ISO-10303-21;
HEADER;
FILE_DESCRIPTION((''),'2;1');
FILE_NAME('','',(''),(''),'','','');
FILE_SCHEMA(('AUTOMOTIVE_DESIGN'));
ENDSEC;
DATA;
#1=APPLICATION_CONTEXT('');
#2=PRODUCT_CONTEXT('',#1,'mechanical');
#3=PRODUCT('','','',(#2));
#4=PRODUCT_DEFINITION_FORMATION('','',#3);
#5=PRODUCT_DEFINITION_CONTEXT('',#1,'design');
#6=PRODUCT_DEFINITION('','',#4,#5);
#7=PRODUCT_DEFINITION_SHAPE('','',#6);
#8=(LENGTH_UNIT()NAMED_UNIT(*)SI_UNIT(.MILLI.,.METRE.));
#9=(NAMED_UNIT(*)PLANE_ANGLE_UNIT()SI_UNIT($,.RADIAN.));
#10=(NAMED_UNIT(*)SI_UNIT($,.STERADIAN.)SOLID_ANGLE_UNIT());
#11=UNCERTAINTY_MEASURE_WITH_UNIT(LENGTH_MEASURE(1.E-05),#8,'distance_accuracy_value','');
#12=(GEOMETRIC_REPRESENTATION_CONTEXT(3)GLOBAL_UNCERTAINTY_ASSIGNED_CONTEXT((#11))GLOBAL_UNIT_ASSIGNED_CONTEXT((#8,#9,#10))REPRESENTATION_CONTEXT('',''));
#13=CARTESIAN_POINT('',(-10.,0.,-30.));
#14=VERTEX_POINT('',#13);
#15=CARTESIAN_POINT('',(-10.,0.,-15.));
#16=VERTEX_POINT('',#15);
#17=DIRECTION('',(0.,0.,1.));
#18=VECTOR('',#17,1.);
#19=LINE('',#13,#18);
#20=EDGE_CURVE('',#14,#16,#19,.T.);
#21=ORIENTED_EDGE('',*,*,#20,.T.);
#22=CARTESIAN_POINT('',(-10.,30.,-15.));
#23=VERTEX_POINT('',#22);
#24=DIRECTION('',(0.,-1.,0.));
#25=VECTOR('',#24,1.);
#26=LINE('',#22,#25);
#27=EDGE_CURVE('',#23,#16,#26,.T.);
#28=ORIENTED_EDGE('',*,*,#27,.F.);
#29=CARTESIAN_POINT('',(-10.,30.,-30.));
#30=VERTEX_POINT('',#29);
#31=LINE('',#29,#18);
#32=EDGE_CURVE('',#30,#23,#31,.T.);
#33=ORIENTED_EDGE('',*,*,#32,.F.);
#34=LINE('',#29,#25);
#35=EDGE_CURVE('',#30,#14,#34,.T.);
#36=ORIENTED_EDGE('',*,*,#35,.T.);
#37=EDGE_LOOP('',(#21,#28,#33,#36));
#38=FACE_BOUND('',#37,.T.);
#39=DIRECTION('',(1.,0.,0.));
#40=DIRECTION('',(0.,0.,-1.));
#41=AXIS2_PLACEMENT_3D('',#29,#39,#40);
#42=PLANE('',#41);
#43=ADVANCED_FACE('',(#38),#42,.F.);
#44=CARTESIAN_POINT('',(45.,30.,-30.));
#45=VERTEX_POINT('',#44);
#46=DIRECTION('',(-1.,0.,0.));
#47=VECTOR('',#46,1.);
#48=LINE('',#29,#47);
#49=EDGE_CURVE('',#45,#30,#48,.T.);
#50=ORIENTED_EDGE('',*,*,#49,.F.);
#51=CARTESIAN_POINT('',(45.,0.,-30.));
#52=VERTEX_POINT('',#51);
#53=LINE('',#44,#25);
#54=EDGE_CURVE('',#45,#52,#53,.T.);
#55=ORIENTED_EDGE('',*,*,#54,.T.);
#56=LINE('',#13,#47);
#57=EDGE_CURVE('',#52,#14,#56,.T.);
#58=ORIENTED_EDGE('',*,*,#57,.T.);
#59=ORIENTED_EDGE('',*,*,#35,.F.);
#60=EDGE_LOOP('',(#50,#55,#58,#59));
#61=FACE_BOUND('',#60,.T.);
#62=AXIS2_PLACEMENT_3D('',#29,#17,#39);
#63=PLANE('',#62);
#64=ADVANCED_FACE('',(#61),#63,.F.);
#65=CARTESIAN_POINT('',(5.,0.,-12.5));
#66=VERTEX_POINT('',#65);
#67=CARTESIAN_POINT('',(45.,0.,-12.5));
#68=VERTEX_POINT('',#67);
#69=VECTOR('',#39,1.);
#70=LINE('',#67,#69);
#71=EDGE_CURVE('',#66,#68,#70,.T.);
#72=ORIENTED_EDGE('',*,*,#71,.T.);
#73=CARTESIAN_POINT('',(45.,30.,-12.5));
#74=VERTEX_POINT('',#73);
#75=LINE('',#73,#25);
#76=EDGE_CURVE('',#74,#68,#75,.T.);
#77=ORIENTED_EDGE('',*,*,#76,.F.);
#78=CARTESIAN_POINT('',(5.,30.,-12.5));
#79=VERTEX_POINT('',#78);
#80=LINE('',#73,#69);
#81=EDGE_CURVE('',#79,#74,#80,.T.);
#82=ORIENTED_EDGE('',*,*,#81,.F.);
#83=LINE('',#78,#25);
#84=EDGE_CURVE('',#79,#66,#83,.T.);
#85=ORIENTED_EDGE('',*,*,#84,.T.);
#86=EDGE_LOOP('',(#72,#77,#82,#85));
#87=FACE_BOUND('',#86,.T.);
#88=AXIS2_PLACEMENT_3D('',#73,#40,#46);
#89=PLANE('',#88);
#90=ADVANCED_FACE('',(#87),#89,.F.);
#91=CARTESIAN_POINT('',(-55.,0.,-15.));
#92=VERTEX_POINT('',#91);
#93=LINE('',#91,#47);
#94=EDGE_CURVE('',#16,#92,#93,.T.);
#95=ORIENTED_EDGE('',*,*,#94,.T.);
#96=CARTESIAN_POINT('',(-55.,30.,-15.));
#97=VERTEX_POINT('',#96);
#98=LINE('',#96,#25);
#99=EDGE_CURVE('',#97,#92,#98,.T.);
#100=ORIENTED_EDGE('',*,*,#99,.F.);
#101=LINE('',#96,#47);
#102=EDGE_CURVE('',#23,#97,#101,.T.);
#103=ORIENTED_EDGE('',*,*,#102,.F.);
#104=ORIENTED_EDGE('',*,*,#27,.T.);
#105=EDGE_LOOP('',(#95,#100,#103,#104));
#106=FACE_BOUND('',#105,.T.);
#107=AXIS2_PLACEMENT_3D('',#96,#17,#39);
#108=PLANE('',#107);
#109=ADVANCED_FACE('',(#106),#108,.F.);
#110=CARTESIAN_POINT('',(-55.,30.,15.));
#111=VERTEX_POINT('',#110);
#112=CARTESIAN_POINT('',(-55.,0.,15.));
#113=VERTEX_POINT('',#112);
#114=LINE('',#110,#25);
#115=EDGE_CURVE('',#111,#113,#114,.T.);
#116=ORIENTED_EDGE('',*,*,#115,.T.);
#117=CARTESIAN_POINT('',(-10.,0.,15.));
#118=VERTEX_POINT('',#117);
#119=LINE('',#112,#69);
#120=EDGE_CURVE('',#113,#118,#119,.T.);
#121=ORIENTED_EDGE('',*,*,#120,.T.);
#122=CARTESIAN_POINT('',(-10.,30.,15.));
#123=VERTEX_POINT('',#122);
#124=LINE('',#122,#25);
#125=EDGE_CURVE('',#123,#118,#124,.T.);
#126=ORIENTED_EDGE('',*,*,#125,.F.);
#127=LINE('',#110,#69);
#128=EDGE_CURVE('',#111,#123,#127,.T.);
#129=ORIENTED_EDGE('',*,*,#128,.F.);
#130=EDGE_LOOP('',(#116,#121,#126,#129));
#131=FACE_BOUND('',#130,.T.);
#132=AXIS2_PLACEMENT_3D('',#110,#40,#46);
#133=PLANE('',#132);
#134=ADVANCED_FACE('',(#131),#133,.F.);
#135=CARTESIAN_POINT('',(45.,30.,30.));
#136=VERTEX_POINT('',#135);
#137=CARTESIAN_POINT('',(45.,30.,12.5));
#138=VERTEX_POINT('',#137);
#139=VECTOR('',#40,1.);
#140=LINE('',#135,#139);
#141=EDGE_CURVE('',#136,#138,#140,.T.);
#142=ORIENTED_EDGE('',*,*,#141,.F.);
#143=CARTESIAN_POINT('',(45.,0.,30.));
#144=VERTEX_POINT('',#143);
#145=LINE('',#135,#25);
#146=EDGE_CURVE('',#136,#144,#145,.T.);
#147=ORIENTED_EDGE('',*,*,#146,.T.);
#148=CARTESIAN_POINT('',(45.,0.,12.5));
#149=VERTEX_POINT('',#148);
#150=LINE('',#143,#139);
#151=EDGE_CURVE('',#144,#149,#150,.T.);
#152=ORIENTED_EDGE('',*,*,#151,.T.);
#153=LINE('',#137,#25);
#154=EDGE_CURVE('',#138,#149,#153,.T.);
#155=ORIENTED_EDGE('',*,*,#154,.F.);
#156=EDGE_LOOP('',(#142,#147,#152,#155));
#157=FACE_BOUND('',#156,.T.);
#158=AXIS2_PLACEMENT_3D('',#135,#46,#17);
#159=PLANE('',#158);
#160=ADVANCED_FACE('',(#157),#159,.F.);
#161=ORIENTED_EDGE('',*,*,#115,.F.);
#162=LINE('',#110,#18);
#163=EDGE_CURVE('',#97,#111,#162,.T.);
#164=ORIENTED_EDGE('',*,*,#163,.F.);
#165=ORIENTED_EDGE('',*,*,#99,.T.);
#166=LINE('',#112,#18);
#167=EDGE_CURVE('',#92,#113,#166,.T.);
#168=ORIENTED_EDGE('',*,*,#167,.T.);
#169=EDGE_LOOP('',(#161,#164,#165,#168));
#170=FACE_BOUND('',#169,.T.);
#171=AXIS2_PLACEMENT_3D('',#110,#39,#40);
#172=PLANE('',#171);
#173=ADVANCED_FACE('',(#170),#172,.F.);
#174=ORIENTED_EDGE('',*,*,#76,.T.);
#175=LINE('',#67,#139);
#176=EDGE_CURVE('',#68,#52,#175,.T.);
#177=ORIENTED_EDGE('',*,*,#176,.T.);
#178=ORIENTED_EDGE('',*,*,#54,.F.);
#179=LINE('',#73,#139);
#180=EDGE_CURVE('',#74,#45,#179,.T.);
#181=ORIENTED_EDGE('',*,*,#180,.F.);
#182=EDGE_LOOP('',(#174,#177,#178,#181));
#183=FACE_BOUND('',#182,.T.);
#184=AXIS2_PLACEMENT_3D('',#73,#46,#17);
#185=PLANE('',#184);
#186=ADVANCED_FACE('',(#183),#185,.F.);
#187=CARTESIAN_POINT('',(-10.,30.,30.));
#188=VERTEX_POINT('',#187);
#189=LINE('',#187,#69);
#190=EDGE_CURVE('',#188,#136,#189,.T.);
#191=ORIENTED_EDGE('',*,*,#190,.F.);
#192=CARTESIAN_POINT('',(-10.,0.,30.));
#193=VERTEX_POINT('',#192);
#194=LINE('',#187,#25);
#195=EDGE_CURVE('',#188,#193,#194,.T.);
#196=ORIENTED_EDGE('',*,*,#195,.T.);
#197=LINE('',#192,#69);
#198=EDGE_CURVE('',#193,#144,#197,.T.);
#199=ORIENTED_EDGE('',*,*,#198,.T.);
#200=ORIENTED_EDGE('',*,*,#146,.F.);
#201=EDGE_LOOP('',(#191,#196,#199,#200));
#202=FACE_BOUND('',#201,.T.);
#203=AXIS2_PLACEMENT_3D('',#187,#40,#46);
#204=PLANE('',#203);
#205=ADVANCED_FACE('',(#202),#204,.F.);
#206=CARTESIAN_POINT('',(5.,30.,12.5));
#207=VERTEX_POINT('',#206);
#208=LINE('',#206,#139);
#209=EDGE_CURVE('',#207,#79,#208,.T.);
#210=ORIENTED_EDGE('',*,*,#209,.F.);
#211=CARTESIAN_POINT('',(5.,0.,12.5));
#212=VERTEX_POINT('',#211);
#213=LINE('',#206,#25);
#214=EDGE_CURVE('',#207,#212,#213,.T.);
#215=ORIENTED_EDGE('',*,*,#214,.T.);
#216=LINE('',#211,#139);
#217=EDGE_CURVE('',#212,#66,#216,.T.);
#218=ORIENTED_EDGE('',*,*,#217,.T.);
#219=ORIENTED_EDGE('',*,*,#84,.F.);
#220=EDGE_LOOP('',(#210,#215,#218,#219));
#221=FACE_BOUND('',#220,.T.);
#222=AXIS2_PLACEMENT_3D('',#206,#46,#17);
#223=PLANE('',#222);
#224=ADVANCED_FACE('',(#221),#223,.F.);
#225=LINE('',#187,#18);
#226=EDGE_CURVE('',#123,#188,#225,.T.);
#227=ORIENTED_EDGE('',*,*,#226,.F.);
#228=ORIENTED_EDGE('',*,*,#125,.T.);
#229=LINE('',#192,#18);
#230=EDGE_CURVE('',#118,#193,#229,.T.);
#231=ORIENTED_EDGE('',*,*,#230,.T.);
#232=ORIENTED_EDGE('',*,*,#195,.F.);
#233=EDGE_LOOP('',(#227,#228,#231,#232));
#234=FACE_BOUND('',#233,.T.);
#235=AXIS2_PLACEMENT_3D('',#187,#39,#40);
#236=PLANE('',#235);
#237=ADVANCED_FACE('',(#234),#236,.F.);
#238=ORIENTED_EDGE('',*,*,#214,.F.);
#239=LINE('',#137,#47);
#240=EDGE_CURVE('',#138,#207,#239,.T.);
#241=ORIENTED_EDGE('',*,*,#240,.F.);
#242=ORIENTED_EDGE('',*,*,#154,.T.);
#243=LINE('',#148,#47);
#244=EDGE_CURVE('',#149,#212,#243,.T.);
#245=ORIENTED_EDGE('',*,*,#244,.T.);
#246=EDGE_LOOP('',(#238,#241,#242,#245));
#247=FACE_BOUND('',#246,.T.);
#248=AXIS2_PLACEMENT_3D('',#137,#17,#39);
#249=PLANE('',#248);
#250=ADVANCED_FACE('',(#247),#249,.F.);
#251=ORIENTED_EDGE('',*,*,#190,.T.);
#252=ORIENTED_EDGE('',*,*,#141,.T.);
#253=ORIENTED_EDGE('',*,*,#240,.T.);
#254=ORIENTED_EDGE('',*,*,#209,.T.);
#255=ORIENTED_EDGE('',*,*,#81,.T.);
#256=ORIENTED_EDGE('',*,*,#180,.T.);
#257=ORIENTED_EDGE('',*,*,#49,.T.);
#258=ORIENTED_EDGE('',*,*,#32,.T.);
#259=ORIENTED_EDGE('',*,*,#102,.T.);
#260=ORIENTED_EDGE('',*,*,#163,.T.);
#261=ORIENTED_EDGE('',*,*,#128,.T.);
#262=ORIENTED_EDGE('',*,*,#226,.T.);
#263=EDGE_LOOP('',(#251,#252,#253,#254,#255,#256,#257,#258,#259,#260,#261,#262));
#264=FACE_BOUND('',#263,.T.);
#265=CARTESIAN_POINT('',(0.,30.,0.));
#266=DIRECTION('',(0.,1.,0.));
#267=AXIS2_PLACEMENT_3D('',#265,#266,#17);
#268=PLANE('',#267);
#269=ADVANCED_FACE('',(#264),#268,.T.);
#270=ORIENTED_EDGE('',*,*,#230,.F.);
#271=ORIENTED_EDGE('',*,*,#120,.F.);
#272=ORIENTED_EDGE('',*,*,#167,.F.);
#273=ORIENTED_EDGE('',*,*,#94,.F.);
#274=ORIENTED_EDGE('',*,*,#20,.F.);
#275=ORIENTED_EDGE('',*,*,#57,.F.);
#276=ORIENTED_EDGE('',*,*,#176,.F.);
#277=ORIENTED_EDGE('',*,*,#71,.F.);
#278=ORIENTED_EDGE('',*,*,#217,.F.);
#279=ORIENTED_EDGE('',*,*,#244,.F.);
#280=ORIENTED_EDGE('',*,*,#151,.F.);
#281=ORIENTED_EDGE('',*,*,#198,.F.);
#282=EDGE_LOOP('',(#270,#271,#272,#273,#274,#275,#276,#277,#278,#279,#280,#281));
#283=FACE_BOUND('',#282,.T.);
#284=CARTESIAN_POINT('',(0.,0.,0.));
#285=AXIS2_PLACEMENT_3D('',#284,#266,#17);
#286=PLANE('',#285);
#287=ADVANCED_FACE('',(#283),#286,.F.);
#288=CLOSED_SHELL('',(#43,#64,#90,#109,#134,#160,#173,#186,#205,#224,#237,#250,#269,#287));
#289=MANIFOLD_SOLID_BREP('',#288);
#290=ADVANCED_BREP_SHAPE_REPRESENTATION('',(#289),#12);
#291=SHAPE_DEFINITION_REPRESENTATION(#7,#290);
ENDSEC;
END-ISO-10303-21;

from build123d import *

# Parameters (mm, degrees)
BOSS_EXTRUDE1_DEPTH = 30


with BuildPart() as part:
    # Sketch1 → Boss-Extrude1 (new body)
    with BuildSketch(Plane(origin=(0, 0, 0), x_dir=(1, 0, 0), z_dir=(0, 1, 0))):
        Polygon((45, 12.5), (45, 30), (-10, 30), (-10, 15), (-55, 15), (-55, -15), (-10, -15), (-10, -30), (45, -30), (45, -12.5), (5, -12.5), (5, 12.5), align=None)
    extrude(amount=BOSS_EXTRUDE1_DEPTH)


solid = part.part
